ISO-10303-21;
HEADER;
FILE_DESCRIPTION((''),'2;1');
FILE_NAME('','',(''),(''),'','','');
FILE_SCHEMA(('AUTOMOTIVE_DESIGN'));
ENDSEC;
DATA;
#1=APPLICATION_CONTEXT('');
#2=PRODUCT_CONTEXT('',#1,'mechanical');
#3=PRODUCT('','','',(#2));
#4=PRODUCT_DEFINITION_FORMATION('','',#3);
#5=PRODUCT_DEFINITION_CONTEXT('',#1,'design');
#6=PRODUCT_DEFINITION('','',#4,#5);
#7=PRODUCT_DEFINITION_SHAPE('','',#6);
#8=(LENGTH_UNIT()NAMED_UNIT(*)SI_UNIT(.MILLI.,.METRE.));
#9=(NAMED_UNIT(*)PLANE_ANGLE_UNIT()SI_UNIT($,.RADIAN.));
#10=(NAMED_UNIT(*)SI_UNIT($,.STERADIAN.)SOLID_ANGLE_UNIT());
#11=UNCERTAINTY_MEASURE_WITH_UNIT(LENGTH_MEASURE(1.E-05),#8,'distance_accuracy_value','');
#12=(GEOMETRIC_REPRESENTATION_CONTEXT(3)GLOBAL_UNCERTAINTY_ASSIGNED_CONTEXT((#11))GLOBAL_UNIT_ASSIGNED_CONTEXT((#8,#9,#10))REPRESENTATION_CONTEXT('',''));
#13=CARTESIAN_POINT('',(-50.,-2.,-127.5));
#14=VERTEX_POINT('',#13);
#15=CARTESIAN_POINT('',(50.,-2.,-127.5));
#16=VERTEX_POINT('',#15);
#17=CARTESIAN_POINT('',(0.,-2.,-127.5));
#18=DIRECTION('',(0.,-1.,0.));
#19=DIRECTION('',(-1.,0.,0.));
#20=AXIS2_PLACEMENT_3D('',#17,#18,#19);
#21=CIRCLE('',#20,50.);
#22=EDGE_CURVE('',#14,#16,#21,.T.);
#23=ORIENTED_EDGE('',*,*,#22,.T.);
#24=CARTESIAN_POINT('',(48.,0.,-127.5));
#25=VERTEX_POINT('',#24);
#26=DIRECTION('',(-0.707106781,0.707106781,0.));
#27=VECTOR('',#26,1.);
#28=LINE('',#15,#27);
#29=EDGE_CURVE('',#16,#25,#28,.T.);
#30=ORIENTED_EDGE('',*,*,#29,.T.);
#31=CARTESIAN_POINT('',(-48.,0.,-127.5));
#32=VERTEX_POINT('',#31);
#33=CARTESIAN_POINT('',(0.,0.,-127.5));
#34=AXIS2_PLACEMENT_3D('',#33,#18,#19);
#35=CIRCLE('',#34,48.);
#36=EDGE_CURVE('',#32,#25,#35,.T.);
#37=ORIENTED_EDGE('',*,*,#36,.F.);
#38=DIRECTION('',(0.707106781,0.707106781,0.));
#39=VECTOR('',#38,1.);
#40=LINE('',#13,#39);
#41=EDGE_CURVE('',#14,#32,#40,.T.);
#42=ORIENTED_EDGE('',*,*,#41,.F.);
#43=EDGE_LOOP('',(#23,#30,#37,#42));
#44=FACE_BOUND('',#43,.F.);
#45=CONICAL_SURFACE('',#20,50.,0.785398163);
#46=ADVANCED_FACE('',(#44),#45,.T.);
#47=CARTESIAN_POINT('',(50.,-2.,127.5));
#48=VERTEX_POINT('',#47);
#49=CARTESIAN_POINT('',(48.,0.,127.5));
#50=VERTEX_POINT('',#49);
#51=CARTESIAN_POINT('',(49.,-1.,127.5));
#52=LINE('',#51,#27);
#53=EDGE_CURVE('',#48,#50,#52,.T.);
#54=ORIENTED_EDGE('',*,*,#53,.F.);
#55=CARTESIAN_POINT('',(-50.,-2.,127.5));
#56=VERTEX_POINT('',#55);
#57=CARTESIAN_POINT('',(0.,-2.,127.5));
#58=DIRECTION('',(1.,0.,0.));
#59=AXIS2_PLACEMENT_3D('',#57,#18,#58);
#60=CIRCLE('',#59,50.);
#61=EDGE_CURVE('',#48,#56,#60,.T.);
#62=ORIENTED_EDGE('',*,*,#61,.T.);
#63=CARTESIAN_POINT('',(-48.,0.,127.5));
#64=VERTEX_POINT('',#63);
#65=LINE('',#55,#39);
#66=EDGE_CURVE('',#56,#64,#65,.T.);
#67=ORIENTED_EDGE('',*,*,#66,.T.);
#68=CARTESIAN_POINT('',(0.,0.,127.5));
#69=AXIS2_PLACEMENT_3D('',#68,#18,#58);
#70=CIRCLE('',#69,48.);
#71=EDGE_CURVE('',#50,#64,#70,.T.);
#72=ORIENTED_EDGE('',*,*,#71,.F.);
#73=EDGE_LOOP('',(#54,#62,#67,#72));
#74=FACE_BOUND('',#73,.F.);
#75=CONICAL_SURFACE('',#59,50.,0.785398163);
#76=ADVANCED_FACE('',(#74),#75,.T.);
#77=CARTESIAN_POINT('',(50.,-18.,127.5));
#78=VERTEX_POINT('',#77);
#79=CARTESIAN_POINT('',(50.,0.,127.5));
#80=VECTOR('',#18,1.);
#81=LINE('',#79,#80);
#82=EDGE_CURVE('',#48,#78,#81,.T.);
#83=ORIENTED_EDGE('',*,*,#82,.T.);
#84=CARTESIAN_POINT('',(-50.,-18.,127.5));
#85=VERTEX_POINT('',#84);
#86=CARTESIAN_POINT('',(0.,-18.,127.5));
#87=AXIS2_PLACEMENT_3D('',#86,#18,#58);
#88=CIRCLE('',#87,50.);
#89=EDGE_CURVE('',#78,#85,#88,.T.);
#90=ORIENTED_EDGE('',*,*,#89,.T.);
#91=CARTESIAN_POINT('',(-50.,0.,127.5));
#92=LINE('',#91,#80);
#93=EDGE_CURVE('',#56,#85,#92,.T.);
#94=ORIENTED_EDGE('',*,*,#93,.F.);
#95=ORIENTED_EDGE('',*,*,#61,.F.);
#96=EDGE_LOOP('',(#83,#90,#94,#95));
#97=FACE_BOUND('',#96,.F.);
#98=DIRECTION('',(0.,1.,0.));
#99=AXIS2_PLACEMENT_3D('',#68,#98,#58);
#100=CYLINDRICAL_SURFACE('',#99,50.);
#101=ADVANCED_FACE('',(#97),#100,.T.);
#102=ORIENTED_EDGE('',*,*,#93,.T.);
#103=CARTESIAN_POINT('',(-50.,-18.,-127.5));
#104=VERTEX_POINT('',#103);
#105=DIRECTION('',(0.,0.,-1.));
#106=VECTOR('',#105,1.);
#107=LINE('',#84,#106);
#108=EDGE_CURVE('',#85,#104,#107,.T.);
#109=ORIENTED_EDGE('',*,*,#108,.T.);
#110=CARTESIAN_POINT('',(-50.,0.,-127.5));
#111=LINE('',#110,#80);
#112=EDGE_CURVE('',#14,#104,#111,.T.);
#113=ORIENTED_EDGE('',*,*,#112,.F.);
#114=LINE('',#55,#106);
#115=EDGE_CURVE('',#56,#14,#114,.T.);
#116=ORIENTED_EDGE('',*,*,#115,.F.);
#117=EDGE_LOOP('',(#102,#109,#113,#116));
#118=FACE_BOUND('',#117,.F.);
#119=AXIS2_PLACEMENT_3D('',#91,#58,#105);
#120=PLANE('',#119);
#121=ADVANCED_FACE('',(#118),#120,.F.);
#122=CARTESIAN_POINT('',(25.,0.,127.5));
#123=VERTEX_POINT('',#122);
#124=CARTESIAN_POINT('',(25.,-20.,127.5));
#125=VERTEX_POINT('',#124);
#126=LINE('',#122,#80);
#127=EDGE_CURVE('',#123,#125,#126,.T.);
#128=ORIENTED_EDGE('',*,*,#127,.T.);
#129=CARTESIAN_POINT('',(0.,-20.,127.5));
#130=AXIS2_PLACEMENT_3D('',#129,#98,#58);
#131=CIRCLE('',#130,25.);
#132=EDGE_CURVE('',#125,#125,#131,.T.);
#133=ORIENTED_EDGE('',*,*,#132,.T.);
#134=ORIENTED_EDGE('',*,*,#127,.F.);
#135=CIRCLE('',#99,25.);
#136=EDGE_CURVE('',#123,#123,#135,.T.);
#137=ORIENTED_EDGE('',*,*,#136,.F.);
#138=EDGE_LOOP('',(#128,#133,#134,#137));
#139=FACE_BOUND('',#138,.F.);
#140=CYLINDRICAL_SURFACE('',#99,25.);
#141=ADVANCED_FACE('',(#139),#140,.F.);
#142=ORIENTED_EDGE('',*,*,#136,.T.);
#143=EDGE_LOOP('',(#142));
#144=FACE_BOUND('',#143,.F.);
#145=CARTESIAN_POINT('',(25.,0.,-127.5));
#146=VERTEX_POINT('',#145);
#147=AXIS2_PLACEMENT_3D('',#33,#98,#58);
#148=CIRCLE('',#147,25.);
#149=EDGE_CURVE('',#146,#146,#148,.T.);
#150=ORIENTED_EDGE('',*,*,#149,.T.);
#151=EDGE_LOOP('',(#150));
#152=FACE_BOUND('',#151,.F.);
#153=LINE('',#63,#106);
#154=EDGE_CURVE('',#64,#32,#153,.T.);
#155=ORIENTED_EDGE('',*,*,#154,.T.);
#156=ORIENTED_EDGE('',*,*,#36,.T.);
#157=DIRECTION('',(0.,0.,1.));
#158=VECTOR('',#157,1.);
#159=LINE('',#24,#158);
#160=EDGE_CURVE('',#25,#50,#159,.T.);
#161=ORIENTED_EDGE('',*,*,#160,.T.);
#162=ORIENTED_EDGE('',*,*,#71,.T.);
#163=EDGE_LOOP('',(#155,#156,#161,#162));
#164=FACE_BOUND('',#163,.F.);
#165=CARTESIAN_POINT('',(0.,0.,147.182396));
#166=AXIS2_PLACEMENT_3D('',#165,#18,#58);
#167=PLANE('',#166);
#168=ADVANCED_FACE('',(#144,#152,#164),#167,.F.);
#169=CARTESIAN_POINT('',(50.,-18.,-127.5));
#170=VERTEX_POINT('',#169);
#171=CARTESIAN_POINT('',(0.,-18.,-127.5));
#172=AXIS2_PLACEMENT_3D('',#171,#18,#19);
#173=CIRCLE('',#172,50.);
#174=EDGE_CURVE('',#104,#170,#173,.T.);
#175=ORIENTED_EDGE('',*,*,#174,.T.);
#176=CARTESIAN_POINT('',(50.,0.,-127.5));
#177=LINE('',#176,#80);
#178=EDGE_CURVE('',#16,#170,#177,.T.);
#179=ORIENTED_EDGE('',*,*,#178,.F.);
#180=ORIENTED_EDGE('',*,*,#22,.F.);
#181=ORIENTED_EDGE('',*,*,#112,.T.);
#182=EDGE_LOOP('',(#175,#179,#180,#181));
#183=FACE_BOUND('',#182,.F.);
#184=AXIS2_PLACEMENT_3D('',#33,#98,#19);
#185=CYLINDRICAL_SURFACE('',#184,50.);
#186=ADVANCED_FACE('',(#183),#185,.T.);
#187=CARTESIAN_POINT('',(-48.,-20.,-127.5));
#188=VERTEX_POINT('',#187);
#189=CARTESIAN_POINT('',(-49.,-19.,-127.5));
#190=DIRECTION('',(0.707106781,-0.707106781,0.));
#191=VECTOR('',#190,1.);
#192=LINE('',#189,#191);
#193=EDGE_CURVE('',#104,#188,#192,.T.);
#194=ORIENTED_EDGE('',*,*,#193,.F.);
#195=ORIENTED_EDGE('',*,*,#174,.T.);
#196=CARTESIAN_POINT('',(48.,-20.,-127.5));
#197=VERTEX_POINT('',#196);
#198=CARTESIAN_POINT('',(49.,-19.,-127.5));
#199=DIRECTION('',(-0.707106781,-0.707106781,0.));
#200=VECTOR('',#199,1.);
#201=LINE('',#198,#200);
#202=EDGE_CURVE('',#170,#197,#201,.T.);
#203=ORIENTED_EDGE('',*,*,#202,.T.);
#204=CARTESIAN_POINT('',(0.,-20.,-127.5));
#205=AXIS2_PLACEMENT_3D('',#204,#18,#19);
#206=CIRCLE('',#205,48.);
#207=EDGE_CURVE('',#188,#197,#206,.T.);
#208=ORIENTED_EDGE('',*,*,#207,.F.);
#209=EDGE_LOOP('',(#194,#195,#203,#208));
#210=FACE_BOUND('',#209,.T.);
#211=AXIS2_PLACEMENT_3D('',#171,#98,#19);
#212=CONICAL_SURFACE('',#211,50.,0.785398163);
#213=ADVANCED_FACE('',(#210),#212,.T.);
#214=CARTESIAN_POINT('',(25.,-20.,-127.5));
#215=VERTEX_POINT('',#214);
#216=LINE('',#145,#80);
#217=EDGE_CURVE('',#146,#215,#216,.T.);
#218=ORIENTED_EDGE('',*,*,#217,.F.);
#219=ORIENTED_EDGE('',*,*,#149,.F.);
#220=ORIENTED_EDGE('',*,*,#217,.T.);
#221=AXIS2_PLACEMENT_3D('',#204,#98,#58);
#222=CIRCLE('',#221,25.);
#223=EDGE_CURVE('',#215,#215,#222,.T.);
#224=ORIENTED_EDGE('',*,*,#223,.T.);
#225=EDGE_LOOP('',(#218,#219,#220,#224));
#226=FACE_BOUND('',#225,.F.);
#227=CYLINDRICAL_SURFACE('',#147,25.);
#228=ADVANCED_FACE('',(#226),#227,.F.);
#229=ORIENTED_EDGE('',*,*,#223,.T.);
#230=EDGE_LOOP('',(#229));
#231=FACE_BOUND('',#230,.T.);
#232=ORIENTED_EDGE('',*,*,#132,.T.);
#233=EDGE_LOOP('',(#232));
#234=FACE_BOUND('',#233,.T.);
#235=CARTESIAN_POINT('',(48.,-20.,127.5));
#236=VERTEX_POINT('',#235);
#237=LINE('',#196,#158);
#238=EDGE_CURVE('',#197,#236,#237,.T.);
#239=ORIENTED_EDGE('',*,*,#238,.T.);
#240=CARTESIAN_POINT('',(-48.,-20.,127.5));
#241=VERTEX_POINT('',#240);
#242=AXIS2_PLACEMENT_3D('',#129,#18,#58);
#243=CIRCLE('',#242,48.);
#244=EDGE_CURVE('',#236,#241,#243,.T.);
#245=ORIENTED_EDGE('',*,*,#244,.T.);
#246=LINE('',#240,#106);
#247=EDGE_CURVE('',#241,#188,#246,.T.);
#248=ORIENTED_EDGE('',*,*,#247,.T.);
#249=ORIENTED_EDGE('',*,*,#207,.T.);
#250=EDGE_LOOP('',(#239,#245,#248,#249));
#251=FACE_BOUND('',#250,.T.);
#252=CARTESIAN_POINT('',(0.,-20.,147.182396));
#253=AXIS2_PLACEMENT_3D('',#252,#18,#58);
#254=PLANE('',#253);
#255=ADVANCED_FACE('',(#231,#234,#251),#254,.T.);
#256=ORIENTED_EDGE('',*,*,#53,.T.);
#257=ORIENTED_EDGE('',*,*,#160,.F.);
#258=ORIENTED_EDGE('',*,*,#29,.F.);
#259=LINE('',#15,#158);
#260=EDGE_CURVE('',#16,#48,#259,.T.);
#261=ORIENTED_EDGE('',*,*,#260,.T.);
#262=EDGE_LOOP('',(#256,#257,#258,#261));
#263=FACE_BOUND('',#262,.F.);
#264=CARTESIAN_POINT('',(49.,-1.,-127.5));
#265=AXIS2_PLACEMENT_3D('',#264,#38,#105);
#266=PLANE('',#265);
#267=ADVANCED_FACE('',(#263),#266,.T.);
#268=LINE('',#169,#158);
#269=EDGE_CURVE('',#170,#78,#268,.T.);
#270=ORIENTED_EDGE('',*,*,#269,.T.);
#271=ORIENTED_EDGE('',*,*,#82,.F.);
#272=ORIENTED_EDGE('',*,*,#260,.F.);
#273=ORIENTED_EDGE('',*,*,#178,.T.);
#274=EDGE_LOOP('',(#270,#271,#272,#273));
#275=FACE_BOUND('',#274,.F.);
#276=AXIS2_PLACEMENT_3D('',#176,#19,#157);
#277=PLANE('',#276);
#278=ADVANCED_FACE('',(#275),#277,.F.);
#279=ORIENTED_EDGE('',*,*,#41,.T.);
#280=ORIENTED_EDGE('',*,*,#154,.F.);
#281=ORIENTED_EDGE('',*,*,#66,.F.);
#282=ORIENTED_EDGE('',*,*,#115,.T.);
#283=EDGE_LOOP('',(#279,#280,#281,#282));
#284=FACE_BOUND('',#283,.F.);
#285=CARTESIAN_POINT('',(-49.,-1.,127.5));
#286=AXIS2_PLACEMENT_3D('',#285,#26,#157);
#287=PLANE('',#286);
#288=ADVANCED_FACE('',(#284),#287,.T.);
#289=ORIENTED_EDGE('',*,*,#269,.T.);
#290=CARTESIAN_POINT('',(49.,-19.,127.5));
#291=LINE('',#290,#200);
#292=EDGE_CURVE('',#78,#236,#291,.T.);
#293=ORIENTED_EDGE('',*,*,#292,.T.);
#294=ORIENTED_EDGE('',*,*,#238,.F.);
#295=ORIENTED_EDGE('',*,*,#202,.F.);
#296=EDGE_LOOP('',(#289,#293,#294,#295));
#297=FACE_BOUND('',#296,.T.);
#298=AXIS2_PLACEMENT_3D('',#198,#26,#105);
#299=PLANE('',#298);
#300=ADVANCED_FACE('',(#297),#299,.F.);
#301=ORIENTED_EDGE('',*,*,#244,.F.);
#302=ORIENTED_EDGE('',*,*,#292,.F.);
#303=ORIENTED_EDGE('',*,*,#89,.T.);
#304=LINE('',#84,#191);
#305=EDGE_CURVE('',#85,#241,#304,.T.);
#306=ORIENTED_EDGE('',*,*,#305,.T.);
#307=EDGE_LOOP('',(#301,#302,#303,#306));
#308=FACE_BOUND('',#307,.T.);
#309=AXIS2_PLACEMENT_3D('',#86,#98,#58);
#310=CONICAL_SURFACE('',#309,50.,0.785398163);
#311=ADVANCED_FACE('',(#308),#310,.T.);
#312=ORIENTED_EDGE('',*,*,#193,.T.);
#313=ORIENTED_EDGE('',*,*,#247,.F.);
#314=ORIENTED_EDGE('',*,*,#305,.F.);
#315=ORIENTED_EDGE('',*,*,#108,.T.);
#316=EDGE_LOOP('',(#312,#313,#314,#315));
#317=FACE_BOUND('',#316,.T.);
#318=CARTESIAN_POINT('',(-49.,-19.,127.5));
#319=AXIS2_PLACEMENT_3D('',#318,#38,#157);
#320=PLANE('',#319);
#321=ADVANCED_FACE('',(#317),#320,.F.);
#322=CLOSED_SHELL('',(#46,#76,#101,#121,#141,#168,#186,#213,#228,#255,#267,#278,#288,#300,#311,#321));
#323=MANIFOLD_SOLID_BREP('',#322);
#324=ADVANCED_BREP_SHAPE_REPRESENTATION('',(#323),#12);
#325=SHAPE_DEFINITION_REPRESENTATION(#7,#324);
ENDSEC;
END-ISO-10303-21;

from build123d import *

# Parameters (mm, degrees)
F1_DEPTH = 20
F2_SIZE2 = 2
F2_SIZE  = 2


with BuildPart() as f1:
    # F0 (on Front) → F1 (new body)
    with BuildSketch(Plane.XZ):
        with BuildLine():
            Line((25, 127.5), (50, 127.5))
            ThreePointArc((50, 127.5), (0, 177.5), (-50, 127.5))
            Line((-50, 127.5), (-25, 127.5))
            ThreePointArc((-25, 127.5), (0, 152.5), (25, 127.5))
        make_face()
        with BuildLine():
            ThreePointArc((-50, -127.5), (0, -177.5), (50, -127.5))
            Line((50, -127.5), (25, -127.5))
            ThreePointArc((25, -127.5), (0, -152.5), (-25, -127.5))
            Line((-25, -127.5), (-50, -127.5))
        make_face()
        with BuildLine():
            Line((50, -127.5), (50, 127.5))
            Line((50, 127.5), (25, 127.5))
            ThreePointArc((25, 127.5), (0, 102.5), (-25, 127.5))
            Line((-25, 127.5), (-50, 127.5))
            Line((-50, 127.5), (-50, -127.5))
            Line((-50, -127.5), (-25, -127.5))
            ThreePointArc((-25, -127.5), (0, -102.5), (25, -127.5))
            Line((25, -127.5), (50, -127.5))
        make_face()
    extrude(amount=F1_DEPTH)

    # F2
    f2_edges = [f1.edges().sort_by_distance(p)[0] for p in [
        (0, 0, -177.5),
        (-50, 0, 0),
        (0, 0, 177.5),
        (50, 0, 0),
        (50, -20, 0),
        (0, -20, -177.5),
        (-50, -20, 0),
        (0, -20, 177.5),
    ]]
    chamfer(f2_edges, length=F2_SIZE, length2=F2_SIZE2)


solid = f1.part
